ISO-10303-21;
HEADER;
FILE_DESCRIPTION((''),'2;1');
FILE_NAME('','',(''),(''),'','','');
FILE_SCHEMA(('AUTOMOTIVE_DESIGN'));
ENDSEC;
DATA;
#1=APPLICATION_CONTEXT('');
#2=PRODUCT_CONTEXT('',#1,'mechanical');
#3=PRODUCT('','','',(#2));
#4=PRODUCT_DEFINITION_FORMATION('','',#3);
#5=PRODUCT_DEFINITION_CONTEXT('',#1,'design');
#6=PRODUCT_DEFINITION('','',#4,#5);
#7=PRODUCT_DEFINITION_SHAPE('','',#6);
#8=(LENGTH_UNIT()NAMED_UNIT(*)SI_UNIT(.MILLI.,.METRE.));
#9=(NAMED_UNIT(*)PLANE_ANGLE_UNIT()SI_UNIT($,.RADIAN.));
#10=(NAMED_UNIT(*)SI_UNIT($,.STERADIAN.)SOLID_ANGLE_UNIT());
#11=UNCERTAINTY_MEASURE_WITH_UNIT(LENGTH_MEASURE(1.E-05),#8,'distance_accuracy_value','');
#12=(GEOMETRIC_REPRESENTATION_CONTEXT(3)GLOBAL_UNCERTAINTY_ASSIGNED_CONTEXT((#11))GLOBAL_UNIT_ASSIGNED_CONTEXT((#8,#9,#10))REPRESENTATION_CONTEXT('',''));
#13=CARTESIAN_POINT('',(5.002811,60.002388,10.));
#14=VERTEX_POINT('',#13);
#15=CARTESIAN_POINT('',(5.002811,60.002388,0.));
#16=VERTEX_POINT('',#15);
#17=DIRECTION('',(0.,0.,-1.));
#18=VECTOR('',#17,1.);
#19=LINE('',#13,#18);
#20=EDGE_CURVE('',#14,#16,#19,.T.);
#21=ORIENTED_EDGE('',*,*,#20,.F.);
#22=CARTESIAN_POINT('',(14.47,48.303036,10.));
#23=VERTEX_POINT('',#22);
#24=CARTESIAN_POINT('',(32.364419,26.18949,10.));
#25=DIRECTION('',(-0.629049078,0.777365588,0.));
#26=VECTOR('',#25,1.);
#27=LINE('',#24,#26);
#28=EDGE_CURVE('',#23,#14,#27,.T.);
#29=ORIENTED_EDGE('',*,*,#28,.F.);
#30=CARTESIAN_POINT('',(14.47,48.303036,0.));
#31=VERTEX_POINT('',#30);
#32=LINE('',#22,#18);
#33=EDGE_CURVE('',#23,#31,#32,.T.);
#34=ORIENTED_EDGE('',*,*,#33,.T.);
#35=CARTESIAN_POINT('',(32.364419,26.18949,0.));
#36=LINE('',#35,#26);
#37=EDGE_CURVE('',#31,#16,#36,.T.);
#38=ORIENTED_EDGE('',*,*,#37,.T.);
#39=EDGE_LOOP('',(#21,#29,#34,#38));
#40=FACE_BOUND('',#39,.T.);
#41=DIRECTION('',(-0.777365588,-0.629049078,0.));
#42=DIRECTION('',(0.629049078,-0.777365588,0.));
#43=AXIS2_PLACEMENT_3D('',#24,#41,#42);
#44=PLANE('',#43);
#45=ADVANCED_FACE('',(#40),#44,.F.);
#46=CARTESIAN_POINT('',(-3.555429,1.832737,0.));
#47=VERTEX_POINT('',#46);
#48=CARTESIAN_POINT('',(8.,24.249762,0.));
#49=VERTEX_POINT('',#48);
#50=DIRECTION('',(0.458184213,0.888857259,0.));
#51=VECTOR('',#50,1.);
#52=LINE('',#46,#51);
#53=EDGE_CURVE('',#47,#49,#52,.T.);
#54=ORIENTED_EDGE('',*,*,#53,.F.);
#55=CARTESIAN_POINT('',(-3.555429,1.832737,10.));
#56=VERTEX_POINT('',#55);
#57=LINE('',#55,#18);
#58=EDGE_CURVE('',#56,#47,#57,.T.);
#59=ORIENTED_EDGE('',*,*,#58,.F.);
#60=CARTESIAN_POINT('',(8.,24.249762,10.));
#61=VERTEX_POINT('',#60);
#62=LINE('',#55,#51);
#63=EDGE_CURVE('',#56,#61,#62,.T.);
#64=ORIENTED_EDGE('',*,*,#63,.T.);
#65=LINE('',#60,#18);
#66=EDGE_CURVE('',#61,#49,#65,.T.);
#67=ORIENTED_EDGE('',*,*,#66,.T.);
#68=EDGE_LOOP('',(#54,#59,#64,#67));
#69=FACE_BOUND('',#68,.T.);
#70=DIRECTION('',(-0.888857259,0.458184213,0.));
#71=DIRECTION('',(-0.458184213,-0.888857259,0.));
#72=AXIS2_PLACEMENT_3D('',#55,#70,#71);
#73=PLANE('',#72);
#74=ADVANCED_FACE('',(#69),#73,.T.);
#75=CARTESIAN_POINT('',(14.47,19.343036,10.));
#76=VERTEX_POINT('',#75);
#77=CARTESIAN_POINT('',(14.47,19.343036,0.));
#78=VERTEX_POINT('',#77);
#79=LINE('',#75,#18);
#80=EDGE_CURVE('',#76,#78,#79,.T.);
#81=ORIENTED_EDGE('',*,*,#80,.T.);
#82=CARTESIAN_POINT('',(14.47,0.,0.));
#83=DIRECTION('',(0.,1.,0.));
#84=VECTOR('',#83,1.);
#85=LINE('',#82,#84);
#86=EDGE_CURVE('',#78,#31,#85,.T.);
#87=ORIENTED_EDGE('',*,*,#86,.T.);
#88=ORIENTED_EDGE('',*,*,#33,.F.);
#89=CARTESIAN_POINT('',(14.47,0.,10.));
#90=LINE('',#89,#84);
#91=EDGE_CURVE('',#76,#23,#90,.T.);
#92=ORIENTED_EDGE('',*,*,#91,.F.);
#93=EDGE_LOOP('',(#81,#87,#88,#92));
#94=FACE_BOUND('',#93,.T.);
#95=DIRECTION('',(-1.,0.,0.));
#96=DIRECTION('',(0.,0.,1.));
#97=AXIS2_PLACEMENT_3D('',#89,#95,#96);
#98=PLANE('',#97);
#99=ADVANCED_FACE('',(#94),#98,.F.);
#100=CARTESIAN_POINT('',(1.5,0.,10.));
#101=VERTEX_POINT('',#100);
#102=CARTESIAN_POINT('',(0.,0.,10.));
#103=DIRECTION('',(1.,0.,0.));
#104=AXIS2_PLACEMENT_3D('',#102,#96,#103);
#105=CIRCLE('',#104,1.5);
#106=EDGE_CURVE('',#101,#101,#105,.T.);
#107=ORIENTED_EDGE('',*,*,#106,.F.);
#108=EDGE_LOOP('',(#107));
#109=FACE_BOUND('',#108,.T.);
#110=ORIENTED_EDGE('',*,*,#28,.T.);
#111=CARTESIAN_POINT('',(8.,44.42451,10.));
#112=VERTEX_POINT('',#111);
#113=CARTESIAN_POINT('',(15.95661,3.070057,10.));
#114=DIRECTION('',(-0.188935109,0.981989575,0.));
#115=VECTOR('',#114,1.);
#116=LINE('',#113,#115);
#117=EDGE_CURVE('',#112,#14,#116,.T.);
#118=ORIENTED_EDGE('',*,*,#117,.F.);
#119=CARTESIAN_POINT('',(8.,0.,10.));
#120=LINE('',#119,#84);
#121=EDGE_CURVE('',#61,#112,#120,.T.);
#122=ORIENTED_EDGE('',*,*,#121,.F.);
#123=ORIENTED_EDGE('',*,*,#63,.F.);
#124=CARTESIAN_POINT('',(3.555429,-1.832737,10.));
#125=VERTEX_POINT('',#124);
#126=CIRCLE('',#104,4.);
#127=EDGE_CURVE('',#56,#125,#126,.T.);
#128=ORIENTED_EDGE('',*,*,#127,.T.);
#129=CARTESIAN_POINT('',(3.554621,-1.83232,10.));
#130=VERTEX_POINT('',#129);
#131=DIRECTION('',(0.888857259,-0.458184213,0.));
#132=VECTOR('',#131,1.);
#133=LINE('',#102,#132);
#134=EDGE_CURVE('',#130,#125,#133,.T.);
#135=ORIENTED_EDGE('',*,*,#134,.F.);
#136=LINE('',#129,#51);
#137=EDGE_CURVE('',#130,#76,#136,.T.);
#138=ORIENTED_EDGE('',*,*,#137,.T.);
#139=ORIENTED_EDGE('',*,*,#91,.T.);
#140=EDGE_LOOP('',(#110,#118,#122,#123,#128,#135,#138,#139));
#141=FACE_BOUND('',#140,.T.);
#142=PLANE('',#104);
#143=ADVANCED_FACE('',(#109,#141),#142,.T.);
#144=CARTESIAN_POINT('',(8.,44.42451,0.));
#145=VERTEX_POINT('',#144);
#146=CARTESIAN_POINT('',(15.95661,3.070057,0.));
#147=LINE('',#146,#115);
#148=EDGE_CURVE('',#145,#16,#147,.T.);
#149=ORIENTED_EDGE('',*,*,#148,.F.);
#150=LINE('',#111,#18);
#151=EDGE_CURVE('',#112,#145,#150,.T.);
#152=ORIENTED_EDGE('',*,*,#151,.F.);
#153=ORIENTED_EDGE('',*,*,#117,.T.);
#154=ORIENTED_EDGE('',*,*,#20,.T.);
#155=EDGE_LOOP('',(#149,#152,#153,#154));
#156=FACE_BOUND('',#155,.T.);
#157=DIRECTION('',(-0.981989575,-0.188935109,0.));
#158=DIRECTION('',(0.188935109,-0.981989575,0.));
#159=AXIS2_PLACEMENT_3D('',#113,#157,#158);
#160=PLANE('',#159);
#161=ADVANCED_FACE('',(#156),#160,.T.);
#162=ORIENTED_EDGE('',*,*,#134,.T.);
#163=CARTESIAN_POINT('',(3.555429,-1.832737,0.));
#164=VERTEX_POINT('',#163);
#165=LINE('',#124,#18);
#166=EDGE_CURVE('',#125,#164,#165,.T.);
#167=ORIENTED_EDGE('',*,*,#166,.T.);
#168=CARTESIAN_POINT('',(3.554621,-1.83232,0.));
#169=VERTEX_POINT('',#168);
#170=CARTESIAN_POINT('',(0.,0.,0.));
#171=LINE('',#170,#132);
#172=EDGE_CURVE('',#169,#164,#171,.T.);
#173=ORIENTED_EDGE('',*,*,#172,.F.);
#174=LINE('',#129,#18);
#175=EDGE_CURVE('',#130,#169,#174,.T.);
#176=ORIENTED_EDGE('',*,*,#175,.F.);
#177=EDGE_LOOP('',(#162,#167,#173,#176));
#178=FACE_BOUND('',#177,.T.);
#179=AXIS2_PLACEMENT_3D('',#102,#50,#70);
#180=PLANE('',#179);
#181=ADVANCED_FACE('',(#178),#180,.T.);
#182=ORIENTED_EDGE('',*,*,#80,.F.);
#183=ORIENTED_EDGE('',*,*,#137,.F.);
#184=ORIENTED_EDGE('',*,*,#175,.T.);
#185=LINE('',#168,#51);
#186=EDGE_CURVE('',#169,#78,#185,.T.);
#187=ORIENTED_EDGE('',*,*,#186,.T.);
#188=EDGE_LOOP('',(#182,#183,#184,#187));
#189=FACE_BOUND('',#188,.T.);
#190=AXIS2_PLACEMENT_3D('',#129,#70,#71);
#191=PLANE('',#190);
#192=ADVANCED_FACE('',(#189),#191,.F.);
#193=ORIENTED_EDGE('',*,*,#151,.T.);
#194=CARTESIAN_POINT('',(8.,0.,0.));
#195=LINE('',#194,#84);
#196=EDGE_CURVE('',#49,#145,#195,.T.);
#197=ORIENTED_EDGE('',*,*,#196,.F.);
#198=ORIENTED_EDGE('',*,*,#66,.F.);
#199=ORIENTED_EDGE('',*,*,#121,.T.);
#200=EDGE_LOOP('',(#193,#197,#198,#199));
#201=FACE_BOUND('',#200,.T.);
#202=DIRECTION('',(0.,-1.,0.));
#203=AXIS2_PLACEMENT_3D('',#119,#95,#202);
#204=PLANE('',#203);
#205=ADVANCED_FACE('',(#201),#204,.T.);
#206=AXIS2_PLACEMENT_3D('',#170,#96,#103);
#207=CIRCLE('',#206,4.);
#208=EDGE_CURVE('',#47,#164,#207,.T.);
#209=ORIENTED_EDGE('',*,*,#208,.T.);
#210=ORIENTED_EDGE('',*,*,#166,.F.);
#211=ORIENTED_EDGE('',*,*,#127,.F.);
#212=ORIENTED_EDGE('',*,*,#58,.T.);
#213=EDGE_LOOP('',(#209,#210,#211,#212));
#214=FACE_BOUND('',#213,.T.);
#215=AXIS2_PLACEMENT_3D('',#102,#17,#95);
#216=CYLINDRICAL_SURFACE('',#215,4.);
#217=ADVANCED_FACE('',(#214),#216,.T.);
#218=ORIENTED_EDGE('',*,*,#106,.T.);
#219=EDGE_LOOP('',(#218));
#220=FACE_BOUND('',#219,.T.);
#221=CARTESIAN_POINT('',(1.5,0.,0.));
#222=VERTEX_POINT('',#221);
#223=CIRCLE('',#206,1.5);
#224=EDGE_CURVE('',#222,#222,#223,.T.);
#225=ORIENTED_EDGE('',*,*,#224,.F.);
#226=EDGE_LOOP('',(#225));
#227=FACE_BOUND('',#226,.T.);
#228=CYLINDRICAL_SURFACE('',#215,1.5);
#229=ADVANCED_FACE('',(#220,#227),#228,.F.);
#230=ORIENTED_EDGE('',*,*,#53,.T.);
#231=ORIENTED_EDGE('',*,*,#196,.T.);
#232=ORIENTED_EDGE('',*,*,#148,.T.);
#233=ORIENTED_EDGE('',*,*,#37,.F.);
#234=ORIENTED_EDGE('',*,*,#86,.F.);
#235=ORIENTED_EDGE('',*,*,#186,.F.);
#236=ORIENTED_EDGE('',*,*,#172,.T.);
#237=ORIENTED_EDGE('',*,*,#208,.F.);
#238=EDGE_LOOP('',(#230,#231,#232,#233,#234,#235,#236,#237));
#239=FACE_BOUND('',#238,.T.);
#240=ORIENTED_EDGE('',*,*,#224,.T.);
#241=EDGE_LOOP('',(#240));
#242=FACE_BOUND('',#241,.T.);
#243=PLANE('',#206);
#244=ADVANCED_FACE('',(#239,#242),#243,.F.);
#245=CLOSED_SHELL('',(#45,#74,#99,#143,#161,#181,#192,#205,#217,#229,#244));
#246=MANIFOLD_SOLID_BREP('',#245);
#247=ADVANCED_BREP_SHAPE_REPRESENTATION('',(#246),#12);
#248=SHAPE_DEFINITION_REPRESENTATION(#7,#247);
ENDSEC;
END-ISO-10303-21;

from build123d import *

# Parameters (mm, degrees)
SKETCH_1_R      = 1.5
EXTRUDE_1_DEPTH = 10


with BuildPart() as part:
    # 草图1 → 凸台-拉伸1 (new body)
    with BuildSketch(Plane.XY):
        with BuildLine():
            Line((8, 44.424510324), (8, 24.249761918))
            Line((8, 24.249761918), (-3.555429037, 1.832736851))
            ThreePointArc((-3.555429037, 1.832736851), (-1.832736851, -3.555429037), (3.555429037, -1.832736851))
            Line((3.555429037, -1.832736851), (3.554621026, -1.832320341))
            Line((3.554621026, -1.832320341), (3.593691894, -1.756524572))
            Line((3.593691894, -1.756524572), (14.47, 19.343035702))
            Line((14.47, 19.343035702), (14.47, 48.303035702))
            Line((14.47, 48.303035702), (5.002811382, 60.002387807))
            Line((5.002811382, 60.002387807), (8, 44.424510324))
        make_face()
        Circle(SKETCH_1_R, mode=Mode.SUBTRACT)
    extrude(amount=EXTRUDE_1_DEPTH)


solid = part.part
